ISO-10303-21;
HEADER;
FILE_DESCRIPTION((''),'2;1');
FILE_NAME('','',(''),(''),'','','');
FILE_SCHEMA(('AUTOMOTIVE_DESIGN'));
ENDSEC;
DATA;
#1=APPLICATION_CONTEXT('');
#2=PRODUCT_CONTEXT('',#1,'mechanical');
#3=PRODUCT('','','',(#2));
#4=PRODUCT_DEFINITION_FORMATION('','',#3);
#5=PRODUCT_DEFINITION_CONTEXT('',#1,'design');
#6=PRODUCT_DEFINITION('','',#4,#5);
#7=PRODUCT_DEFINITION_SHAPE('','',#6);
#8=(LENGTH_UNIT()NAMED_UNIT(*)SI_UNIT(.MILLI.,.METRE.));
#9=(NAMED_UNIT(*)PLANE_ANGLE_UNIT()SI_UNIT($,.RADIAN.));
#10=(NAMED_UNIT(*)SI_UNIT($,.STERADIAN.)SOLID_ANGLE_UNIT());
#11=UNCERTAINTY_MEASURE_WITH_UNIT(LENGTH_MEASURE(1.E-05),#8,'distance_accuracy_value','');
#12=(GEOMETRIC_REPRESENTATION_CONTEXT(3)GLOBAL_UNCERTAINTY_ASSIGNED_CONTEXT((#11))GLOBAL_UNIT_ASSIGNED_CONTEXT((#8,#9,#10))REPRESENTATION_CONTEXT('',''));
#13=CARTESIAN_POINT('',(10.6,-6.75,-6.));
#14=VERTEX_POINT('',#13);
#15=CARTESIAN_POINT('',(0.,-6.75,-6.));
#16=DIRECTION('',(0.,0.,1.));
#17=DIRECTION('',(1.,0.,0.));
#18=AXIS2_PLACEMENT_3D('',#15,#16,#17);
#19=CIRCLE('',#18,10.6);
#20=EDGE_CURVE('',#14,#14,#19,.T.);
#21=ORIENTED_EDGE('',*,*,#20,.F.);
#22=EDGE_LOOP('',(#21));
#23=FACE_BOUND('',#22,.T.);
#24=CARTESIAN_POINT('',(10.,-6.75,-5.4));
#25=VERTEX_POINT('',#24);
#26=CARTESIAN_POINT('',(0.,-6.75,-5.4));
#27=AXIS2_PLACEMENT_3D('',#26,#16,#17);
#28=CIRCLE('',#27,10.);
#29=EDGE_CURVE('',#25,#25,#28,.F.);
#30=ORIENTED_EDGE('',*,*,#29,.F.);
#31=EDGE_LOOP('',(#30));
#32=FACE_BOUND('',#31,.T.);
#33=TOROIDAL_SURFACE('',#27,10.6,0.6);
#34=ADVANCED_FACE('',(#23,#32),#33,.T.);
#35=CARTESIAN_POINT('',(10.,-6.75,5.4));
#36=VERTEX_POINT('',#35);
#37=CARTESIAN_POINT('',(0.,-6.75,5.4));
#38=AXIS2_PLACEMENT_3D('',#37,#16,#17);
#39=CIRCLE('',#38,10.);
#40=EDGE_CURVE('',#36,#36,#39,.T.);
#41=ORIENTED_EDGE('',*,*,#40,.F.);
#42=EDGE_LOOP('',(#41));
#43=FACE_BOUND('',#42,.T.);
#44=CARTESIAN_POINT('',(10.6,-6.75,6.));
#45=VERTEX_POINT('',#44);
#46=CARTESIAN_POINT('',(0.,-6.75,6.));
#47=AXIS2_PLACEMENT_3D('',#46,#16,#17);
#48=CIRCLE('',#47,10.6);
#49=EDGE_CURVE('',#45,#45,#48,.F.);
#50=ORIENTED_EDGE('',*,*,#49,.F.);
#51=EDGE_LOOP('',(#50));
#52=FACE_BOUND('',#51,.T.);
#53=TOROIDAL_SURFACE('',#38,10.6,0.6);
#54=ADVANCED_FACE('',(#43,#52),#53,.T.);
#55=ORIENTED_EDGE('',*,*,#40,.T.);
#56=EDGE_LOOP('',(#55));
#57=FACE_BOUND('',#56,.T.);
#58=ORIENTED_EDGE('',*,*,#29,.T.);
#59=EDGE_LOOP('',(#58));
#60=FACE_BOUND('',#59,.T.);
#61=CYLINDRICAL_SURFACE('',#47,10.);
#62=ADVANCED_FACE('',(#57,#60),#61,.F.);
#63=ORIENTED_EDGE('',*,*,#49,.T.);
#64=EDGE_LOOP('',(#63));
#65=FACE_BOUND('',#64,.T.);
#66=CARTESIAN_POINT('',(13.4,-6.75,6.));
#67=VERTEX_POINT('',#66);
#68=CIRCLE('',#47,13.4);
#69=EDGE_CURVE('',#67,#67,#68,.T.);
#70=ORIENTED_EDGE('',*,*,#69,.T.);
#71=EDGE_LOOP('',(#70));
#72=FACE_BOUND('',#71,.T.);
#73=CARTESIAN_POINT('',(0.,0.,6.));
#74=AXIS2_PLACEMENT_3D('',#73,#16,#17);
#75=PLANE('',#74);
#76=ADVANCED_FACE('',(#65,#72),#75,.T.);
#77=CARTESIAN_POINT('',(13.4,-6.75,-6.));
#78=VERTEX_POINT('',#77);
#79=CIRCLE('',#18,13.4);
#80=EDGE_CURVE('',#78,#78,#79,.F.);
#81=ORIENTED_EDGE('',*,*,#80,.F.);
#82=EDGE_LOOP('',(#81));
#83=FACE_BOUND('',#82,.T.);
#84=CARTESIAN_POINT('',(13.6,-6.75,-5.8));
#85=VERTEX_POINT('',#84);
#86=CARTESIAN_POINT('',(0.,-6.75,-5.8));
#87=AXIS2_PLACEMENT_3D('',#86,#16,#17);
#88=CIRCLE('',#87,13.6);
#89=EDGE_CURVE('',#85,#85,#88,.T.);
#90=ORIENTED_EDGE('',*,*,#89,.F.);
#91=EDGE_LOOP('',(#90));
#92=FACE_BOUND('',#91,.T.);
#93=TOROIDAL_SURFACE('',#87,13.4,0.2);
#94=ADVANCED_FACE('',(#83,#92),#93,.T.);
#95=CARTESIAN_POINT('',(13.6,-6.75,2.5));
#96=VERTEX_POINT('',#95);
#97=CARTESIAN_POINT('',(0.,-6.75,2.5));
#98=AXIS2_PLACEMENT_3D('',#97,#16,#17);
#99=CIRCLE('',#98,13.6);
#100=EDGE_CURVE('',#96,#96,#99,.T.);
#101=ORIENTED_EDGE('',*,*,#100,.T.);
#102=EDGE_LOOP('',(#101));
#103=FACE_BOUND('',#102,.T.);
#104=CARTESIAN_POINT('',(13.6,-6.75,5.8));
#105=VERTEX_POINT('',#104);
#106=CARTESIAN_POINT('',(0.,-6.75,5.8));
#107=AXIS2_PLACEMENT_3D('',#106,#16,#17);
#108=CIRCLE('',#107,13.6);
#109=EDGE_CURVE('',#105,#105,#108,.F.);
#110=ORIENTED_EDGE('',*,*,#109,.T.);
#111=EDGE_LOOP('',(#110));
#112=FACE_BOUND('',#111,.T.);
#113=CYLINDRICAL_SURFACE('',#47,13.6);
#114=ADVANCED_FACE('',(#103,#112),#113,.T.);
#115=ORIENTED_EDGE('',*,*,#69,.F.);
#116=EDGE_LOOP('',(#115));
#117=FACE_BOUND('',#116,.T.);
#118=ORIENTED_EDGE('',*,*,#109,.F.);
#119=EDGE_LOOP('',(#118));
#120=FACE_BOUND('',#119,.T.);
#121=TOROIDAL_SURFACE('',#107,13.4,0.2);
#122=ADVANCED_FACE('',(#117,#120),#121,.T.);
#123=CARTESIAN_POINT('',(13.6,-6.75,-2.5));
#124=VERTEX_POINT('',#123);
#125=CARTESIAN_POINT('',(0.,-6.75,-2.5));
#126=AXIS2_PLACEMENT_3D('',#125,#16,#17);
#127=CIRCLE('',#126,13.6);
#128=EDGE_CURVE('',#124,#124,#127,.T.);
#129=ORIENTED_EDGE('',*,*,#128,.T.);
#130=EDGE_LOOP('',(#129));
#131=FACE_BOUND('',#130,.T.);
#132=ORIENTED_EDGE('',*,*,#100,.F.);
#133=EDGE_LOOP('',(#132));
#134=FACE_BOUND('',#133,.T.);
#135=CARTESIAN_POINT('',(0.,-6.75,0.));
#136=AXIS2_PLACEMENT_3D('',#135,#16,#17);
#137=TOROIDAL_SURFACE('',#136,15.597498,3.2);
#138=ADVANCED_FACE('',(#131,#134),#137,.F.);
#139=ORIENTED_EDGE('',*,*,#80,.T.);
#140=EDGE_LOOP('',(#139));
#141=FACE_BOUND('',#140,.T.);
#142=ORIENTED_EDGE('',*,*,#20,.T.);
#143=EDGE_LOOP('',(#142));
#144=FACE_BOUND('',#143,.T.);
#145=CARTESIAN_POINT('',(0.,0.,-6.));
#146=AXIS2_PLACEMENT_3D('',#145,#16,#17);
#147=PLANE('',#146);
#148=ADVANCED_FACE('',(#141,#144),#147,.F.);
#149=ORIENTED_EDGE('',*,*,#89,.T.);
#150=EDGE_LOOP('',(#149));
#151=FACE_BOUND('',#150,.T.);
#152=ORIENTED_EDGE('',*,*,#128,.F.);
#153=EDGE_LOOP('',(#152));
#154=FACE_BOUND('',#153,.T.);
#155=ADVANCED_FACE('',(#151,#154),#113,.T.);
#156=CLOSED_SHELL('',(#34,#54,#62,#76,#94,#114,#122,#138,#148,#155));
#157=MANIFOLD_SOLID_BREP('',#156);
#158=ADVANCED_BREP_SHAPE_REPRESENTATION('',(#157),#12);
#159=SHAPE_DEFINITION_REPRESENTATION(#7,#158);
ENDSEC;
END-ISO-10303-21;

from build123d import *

# Parameters (mm, degrees)
SKETCH2_W = 3.5
SKETCH2_H = 3.6
FILLET1_R = 0.2
FILLET2_R = 0.6


with BuildPart() as part:
    # Sketch2 → Revolve1 (revolve)
    with BuildSketch(Plane(origin=(0, 0, 0), x_dir=(0, 0, -1), z_dir=(1, 0, 0))):
        with Locations((-4.25, 5.05)):
            Rectangle(SKETCH2_W, SKETCH2_H)
        with BuildLine():
            ThreePointArc((2.5, 6.85), (0, 5.647498436), (-2.5, 6.85))
            Line((-2.5, 6.85), (-2.5, 3.25))
            Line((-2.5, 3.25), (2.5, 3.25))
            Line((2.5, 3.25), (2.5, 6.85))
        make_face()
        with Locations((4.25, 5.05)):
            Rectangle(SKETCH2_W, SKETCH2_H)
    revolve(axis=Axis((0, -6.75, 6), (0, 0, -1)))

    # Fillet1
    fillet1_edges = [part.edges().sort_by_distance(p)[0] for p in [
        (0, -20.35, 6),
        (0, -20.35, -6),
    ]]
    fillet(fillet1_edges, radius=FILLET1_R)

    # Fillet2
    fillet2_edges = [part.edges().sort_by_distance(p)[0] for p in [
        (0, -16.75, -6),
        (0, -16.75, 6),
    ]]
    fillet(fillet2_edges, radius=FILLET2_R)


solid = part.part
